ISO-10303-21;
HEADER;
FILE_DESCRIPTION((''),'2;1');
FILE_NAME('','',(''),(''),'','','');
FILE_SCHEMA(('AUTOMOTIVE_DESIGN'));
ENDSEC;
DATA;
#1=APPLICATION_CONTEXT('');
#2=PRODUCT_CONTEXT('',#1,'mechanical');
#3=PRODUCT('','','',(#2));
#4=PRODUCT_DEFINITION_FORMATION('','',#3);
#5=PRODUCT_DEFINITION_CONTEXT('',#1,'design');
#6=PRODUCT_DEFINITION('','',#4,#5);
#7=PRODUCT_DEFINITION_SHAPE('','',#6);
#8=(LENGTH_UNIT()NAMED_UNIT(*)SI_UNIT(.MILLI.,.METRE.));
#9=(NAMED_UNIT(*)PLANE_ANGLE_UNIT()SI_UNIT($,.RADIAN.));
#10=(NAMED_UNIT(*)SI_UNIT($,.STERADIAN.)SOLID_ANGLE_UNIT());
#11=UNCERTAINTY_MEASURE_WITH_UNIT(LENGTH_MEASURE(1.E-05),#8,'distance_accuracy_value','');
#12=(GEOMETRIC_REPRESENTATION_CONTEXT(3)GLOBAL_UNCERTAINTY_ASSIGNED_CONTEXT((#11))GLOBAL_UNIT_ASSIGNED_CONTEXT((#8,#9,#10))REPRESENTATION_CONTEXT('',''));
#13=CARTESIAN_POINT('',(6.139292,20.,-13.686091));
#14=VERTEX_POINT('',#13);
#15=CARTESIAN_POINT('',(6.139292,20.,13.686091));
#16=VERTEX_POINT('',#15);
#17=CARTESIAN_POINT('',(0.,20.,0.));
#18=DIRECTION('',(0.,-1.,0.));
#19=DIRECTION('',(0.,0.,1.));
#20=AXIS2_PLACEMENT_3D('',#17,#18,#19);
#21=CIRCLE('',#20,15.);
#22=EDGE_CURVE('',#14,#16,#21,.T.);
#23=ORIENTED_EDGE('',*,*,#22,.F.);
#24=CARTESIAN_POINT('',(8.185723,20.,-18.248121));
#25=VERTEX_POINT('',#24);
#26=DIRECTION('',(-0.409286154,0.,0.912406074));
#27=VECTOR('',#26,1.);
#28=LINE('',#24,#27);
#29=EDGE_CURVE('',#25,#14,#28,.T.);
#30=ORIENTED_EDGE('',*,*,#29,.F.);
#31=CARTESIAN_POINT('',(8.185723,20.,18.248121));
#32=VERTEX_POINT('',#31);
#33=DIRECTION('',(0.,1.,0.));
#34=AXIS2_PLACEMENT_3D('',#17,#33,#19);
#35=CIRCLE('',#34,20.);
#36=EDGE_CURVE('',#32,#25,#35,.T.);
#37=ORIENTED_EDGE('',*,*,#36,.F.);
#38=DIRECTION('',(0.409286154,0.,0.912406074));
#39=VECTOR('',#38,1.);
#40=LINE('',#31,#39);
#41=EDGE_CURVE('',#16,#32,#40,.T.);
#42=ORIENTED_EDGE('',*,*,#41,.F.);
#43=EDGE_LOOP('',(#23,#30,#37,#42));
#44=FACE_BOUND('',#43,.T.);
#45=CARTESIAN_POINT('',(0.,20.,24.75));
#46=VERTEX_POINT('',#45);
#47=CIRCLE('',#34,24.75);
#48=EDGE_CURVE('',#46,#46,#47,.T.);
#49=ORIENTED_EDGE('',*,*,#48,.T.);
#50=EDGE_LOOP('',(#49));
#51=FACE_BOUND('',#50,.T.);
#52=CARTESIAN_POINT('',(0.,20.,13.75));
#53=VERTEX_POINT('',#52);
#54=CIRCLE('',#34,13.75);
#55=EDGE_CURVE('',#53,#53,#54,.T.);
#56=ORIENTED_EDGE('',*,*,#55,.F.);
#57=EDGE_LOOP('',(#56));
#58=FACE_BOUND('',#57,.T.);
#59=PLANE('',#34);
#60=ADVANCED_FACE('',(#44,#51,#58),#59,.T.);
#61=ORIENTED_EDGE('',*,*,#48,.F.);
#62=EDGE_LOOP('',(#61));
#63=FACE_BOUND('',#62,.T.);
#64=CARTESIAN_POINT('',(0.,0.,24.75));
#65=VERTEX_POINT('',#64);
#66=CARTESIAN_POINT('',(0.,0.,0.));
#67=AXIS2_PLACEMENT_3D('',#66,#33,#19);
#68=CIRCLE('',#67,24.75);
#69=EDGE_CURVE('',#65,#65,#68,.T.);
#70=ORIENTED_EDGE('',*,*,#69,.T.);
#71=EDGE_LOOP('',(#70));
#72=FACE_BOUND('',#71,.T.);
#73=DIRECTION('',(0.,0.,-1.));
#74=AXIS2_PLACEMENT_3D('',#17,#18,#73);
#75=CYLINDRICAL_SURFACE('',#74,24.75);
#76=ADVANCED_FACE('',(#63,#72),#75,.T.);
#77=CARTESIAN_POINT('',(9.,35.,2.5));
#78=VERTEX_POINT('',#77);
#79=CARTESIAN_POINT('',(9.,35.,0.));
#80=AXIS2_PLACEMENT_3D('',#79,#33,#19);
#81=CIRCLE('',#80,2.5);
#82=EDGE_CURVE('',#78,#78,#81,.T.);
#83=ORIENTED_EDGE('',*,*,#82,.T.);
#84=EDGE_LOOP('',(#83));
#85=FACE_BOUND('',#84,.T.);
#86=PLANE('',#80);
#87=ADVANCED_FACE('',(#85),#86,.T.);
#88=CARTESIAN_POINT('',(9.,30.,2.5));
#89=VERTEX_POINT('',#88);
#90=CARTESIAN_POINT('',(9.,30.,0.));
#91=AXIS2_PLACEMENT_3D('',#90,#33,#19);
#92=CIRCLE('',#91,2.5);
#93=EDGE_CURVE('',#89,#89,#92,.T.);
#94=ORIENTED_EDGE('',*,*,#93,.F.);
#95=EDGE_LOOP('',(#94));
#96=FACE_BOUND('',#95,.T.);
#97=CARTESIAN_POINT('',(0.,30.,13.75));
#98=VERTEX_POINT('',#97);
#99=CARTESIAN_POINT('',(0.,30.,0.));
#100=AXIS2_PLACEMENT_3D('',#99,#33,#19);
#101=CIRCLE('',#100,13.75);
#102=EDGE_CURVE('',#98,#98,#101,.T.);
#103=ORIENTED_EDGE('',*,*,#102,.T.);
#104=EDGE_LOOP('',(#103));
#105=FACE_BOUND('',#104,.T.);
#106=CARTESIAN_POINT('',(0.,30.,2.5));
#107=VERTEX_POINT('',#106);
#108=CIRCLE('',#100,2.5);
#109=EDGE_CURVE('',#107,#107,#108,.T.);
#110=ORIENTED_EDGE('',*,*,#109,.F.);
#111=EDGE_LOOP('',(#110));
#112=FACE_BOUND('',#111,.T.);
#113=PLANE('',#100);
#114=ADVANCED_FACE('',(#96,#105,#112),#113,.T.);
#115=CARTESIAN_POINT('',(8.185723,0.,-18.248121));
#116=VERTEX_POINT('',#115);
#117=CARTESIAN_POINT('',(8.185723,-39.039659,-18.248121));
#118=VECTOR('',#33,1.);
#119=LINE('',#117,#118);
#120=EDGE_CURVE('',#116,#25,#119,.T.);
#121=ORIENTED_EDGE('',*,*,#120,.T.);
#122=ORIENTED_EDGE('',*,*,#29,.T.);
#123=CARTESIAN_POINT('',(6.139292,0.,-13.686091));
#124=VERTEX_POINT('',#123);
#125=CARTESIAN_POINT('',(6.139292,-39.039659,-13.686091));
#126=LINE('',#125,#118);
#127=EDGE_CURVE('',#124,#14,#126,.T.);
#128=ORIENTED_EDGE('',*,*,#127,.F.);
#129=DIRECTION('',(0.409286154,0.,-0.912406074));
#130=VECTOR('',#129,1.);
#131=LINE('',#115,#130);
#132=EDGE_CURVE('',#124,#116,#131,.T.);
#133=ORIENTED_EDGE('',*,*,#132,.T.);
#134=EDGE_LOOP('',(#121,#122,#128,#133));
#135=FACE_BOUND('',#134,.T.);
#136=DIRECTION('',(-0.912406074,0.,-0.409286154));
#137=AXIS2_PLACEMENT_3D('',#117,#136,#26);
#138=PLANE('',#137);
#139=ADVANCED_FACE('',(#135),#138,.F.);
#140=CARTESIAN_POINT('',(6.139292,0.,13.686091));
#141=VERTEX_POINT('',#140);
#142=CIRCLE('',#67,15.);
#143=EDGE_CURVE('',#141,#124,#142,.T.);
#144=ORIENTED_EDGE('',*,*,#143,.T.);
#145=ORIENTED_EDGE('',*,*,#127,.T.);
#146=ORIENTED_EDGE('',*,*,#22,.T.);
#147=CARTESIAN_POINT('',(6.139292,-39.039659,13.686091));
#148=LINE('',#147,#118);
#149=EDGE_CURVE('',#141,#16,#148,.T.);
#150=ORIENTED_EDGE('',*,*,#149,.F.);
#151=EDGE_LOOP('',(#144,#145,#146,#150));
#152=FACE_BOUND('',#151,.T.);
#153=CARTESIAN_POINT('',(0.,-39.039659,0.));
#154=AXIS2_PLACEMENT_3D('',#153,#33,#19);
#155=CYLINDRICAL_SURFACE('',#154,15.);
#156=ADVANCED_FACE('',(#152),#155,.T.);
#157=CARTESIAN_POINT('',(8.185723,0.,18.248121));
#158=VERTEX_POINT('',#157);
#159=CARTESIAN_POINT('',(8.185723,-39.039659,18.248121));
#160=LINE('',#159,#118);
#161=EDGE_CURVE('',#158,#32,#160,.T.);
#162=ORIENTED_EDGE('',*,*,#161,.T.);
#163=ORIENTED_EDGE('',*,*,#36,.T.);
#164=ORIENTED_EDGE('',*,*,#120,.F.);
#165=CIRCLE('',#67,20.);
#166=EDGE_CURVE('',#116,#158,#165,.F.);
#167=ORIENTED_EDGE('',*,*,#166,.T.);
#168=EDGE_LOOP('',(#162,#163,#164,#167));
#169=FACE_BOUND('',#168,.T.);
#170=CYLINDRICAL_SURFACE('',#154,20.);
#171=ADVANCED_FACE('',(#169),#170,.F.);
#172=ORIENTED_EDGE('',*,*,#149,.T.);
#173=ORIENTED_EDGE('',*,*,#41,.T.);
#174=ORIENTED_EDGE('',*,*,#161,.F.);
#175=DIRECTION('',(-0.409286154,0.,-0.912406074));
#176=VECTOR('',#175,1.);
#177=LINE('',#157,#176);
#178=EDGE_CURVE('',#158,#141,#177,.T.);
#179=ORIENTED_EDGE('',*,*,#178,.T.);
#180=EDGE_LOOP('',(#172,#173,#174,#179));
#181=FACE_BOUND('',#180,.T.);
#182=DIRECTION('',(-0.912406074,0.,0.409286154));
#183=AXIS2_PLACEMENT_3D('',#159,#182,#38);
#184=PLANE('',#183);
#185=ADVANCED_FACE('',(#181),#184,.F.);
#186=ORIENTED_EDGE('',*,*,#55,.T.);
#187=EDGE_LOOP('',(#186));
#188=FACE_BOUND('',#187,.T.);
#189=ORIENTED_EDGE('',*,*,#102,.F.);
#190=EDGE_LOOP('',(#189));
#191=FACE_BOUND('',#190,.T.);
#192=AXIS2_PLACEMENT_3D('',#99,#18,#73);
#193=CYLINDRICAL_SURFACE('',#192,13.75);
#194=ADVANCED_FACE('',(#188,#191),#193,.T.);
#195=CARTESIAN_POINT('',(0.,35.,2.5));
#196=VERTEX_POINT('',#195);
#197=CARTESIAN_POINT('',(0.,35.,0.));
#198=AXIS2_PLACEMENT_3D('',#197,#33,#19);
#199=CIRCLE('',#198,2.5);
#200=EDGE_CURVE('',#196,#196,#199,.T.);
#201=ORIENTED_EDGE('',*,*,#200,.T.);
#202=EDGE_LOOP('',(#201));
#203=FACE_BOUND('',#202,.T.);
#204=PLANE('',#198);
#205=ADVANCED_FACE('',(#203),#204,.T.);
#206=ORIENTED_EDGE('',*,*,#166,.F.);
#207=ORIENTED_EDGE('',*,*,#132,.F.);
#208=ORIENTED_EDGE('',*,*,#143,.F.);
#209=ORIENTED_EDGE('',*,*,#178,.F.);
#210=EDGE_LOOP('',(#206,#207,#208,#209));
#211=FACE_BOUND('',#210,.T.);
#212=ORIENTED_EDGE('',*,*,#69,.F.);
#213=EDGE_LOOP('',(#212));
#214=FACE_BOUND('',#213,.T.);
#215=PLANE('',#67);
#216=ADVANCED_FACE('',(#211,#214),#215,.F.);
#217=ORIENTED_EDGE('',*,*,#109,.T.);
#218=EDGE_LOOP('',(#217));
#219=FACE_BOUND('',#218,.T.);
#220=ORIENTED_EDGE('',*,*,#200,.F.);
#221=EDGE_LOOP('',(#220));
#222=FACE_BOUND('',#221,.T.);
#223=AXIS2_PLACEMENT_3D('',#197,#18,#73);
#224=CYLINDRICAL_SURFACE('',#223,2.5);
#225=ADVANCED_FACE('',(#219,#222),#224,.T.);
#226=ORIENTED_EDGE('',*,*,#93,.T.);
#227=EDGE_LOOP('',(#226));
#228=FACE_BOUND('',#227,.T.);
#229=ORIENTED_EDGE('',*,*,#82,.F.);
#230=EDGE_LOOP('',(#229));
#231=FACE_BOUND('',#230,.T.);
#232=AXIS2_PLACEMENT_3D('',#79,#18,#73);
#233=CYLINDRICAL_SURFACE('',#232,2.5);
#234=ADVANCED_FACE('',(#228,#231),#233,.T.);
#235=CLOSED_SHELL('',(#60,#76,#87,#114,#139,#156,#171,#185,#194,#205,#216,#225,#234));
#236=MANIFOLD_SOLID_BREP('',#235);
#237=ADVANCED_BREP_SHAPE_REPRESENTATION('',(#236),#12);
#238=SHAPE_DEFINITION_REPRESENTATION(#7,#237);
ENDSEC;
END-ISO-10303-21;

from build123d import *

# Parameters (mm, degrees)
RESSALTO_EXTRUS_O2_DEPTH = 20
ESBO_O3_R                = 13.75
BOSS_EXTRUDE1_DEPTH      = 10
SKETCH2_R                = 2.5
BOSS_EXTRUDE2_DEPTH      = 5
CUT_EXTRUDE2_DEPTH       = 20


with BuildPart() as part:
    # Esboço1 → Ressalto-extrusão2 (new body)
    with BuildSketch(Plane(origin=(0, 0, 0), x_dir=(1, 0, 0), z_dir=(0, 1, 0))):
        with BuildLine():
            ThreePointArc((-12.375, -21.434128744), (0, -24.75), (12.375, -21.434128744))
            ThreePointArc((12.375, -21.434128744), (21.434128744, -12.375), (24.75, 0))
            ThreePointArc((24.75, 0), (-12.375, 21.434128744), (-12.375, -21.434128744))
        make_face()
    extrude(amount=RESSALTO_EXTRUS_O2_DEPTH)

    # Esboço3 → Boss-Extrude1 (add)
    with BuildSketch(Plane(origin=(0, 20, 0), x_dir=(1, 0, 0), z_dir=(0, 1, 0))):
        Circle(ESBO_O3_R)
    extrude(amount=BOSS_EXTRUDE1_DEPTH)

    # Sketch2 → Boss-Extrude2 (add)
    with BuildSketch(Plane(origin=(0, 30, 0), x_dir=(1, 0, 0), z_dir=(0, 1, 0))):
        Circle(SKETCH2_R)
        with Locations((9, 0)):
            Circle(SKETCH2_R)
    extrude(amount=BOSS_EXTRUDE2_DEPTH)

    # Sketch3 → Cut-Extrude2 (cut)
    with BuildSketch(Plane(origin=(0, 20, 0), x_dir=(1, 0, 0), z_dir=(0, 1, 0))):
        with BuildLine():
            Line((8.185723081, -18.248121483), (6.13929231, -13.686091112))
            ThreePointArc((6.13929231, -13.686091112), (15, 0), (6.13929231, 13.686091112))
            Line((6.13929231, 13.686091112), (8.185723081, 18.248121483))
            ThreePointArc((8.185723081, 18.248121483), (20, 0), (8.185723081, -18.248121483))
        make_face()
    extrude(amount=-CUT_EXTRUDE2_DEPTH, mode=Mode.SUBTRACT)


solid = part.part
